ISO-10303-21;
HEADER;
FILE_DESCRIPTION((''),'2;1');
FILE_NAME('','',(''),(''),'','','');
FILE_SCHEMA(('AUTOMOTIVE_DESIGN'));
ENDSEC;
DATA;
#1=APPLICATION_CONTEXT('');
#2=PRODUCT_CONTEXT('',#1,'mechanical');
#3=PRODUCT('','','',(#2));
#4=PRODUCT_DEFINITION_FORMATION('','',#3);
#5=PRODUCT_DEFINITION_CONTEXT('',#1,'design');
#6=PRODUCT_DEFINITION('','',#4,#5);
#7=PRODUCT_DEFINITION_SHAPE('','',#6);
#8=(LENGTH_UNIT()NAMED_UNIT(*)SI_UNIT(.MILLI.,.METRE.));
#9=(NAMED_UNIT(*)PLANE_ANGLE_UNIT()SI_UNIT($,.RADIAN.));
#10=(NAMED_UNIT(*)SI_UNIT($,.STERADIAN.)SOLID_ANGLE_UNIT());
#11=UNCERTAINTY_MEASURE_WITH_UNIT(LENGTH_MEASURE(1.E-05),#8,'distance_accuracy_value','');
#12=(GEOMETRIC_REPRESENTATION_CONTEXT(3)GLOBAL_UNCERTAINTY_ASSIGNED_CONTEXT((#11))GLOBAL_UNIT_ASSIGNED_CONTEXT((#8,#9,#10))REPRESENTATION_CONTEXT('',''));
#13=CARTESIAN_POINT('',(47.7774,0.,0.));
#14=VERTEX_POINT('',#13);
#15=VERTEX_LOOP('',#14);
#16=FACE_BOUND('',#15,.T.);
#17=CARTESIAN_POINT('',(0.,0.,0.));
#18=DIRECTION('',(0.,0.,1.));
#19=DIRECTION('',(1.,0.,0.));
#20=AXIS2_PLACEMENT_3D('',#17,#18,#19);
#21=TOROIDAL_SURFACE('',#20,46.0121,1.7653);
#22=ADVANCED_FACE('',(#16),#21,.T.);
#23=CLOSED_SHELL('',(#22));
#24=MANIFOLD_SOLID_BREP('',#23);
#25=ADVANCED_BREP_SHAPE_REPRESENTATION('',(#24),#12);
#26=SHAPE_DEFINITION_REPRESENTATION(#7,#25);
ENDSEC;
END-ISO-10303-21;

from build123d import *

# Parameters (mm, degrees)
SKETCH1_R = 1.7653


with BuildPart() as part:
    # Sketch1 → Revolve1 (revolve)
    with BuildSketch(Plane(origin=(0, 0, 0), x_dir=(0, -1, 0), z_dir=(1, 0, 0))):
        with Locations((46.0121, 0)):
            Circle(SKETCH1_R)
    revolve(axis=Axis((0, 0, 1.7653), (0, 0, -1)))


solid = part.part
